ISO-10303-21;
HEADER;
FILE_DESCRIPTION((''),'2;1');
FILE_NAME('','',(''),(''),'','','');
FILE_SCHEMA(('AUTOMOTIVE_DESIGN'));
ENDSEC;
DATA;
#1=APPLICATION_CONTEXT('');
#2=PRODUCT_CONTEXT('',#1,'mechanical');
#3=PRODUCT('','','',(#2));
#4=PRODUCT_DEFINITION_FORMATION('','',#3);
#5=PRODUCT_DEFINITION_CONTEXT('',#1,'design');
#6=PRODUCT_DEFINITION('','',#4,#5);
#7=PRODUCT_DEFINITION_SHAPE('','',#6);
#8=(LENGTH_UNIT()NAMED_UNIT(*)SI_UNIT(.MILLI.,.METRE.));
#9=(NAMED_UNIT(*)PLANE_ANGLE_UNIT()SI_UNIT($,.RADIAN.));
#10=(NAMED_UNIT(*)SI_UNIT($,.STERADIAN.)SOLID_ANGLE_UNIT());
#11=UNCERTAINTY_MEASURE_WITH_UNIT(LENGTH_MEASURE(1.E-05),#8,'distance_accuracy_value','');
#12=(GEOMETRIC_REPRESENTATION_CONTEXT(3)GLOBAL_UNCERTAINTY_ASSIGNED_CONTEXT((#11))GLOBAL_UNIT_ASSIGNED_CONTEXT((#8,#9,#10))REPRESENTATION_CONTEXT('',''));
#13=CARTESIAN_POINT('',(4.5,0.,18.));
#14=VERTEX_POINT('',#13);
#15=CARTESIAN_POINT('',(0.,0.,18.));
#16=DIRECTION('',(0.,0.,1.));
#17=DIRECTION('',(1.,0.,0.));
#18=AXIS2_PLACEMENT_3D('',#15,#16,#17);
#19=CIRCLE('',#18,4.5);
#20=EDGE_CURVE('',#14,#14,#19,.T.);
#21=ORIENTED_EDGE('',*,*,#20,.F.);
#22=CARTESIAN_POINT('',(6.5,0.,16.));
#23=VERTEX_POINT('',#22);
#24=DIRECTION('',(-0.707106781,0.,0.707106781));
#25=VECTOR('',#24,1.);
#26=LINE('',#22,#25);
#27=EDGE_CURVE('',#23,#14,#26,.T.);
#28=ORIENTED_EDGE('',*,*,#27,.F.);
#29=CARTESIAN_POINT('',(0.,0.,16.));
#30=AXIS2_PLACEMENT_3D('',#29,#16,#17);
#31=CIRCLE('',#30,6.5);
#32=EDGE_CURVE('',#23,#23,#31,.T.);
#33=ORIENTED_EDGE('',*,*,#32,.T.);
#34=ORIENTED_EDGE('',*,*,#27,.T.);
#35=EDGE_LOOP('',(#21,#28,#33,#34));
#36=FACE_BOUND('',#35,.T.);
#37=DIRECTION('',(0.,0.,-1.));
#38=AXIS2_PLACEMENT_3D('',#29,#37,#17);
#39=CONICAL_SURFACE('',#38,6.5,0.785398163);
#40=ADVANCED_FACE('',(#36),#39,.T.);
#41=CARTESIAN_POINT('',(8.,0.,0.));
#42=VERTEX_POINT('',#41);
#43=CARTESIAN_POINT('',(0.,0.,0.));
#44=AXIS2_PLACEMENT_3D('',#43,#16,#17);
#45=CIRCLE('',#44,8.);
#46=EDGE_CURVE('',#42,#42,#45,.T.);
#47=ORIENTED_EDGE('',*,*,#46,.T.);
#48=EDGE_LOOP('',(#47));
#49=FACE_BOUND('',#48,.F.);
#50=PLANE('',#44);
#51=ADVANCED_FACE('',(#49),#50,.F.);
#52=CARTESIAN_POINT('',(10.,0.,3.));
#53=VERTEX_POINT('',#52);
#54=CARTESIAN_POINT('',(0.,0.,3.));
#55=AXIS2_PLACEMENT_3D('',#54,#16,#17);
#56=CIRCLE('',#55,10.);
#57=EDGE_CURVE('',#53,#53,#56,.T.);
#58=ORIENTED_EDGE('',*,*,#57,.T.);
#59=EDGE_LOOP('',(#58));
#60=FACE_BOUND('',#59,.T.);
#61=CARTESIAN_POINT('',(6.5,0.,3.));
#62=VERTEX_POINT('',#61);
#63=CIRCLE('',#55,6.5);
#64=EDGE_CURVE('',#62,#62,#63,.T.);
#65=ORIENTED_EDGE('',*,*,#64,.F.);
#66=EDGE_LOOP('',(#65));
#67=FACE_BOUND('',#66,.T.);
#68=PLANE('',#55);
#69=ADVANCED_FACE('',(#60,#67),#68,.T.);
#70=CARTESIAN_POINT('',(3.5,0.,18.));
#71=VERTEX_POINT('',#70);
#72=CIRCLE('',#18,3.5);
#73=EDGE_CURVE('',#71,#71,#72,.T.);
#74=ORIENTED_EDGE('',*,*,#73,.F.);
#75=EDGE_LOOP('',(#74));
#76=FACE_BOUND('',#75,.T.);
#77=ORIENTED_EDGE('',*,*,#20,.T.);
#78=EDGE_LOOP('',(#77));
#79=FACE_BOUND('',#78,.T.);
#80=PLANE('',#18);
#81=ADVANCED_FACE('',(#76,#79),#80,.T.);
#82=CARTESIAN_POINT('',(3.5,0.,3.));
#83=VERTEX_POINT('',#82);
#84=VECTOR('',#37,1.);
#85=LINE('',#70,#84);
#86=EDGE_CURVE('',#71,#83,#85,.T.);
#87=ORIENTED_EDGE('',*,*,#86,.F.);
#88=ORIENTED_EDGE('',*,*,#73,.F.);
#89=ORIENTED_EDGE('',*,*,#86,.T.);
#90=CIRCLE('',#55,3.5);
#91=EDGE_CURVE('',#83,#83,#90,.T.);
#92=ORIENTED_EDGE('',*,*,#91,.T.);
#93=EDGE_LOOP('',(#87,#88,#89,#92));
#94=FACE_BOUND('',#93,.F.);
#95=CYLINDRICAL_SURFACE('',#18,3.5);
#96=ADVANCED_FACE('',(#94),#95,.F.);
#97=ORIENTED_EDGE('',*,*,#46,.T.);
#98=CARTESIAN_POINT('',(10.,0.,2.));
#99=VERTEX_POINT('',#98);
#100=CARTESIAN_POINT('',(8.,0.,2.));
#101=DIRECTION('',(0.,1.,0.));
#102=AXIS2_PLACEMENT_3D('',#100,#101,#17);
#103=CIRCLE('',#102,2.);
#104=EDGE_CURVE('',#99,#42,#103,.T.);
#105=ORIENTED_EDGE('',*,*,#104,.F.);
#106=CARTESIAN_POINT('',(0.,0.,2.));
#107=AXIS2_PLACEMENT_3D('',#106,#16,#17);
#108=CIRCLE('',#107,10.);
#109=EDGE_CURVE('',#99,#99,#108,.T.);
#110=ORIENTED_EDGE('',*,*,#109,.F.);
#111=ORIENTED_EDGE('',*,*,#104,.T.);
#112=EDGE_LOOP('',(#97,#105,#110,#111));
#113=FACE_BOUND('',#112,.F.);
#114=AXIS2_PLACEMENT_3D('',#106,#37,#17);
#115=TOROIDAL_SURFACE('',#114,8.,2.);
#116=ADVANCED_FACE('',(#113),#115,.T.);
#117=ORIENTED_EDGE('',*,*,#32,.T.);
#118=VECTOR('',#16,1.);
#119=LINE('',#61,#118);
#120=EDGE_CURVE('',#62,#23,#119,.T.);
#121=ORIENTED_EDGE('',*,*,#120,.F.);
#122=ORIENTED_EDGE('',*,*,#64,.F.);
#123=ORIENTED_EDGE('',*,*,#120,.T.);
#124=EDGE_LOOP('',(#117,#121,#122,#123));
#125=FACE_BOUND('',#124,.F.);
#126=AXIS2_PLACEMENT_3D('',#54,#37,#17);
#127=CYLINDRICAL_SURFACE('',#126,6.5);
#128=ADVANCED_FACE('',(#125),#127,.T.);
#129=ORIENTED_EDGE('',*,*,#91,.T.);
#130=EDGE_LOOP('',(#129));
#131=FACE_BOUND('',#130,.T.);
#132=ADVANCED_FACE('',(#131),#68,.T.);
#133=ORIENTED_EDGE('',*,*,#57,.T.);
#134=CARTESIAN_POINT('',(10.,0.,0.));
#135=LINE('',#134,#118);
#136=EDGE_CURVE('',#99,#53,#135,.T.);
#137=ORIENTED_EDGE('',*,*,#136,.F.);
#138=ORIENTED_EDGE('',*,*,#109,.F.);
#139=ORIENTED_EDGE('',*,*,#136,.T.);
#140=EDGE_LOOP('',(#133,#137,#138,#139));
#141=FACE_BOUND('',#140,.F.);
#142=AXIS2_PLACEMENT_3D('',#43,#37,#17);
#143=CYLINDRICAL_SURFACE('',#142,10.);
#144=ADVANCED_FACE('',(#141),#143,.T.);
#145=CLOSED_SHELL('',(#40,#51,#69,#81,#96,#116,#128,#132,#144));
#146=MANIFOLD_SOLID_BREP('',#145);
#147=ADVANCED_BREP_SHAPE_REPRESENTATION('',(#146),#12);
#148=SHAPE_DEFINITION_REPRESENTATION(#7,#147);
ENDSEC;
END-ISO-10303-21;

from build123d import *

# Parameters (mm, degrees)
SKETCH_R     = 10
PAD_DEPTH    = 3
SKETCH001_R  = 6.5
PAD001_DEPTH = 15
SKETCH002_R  = 3.5
POCKET_DEPTH = 15
FILLET_R     = 2
CHAMFER_SIZE = 2


with BuildPart() as part:
    # Sketch → Pad (new body)
    with BuildSketch(Plane.XY):
        Circle(SKETCH_R)
    extrude(amount=PAD_DEPTH)

    # Sketch001 (on Face3 of Pad) → Pad001 (join)
    with BuildSketch(Plane.XY.offset(3)):
        Circle(SKETCH001_R)
    extrude(amount=PAD001_DEPTH)

    # Sketch002 (on Face5 of Pad001) → Pocket (cut)
    with BuildSketch(Plane.XY.offset(18)):
        Circle(SKETCH002_R)
    extrude(amount=-POCKET_DEPTH, mode=Mode.SUBTRACT)

    # Fillet
    fillet_edges = [part.edges().sort_by_distance(p)[0] for p in [
        (-10, 0, 0),
    ]]
    fillet(fillet_edges, radius=FILLET_R)

    # Chamfer
    chamfer_edges = [part.edges().sort_by_distance(p)[0] for p in [
        (-6.5, 0, 18),
    ]]
    chamfer(chamfer_edges, length=CHAMFER_SIZE)


solid = part.part
